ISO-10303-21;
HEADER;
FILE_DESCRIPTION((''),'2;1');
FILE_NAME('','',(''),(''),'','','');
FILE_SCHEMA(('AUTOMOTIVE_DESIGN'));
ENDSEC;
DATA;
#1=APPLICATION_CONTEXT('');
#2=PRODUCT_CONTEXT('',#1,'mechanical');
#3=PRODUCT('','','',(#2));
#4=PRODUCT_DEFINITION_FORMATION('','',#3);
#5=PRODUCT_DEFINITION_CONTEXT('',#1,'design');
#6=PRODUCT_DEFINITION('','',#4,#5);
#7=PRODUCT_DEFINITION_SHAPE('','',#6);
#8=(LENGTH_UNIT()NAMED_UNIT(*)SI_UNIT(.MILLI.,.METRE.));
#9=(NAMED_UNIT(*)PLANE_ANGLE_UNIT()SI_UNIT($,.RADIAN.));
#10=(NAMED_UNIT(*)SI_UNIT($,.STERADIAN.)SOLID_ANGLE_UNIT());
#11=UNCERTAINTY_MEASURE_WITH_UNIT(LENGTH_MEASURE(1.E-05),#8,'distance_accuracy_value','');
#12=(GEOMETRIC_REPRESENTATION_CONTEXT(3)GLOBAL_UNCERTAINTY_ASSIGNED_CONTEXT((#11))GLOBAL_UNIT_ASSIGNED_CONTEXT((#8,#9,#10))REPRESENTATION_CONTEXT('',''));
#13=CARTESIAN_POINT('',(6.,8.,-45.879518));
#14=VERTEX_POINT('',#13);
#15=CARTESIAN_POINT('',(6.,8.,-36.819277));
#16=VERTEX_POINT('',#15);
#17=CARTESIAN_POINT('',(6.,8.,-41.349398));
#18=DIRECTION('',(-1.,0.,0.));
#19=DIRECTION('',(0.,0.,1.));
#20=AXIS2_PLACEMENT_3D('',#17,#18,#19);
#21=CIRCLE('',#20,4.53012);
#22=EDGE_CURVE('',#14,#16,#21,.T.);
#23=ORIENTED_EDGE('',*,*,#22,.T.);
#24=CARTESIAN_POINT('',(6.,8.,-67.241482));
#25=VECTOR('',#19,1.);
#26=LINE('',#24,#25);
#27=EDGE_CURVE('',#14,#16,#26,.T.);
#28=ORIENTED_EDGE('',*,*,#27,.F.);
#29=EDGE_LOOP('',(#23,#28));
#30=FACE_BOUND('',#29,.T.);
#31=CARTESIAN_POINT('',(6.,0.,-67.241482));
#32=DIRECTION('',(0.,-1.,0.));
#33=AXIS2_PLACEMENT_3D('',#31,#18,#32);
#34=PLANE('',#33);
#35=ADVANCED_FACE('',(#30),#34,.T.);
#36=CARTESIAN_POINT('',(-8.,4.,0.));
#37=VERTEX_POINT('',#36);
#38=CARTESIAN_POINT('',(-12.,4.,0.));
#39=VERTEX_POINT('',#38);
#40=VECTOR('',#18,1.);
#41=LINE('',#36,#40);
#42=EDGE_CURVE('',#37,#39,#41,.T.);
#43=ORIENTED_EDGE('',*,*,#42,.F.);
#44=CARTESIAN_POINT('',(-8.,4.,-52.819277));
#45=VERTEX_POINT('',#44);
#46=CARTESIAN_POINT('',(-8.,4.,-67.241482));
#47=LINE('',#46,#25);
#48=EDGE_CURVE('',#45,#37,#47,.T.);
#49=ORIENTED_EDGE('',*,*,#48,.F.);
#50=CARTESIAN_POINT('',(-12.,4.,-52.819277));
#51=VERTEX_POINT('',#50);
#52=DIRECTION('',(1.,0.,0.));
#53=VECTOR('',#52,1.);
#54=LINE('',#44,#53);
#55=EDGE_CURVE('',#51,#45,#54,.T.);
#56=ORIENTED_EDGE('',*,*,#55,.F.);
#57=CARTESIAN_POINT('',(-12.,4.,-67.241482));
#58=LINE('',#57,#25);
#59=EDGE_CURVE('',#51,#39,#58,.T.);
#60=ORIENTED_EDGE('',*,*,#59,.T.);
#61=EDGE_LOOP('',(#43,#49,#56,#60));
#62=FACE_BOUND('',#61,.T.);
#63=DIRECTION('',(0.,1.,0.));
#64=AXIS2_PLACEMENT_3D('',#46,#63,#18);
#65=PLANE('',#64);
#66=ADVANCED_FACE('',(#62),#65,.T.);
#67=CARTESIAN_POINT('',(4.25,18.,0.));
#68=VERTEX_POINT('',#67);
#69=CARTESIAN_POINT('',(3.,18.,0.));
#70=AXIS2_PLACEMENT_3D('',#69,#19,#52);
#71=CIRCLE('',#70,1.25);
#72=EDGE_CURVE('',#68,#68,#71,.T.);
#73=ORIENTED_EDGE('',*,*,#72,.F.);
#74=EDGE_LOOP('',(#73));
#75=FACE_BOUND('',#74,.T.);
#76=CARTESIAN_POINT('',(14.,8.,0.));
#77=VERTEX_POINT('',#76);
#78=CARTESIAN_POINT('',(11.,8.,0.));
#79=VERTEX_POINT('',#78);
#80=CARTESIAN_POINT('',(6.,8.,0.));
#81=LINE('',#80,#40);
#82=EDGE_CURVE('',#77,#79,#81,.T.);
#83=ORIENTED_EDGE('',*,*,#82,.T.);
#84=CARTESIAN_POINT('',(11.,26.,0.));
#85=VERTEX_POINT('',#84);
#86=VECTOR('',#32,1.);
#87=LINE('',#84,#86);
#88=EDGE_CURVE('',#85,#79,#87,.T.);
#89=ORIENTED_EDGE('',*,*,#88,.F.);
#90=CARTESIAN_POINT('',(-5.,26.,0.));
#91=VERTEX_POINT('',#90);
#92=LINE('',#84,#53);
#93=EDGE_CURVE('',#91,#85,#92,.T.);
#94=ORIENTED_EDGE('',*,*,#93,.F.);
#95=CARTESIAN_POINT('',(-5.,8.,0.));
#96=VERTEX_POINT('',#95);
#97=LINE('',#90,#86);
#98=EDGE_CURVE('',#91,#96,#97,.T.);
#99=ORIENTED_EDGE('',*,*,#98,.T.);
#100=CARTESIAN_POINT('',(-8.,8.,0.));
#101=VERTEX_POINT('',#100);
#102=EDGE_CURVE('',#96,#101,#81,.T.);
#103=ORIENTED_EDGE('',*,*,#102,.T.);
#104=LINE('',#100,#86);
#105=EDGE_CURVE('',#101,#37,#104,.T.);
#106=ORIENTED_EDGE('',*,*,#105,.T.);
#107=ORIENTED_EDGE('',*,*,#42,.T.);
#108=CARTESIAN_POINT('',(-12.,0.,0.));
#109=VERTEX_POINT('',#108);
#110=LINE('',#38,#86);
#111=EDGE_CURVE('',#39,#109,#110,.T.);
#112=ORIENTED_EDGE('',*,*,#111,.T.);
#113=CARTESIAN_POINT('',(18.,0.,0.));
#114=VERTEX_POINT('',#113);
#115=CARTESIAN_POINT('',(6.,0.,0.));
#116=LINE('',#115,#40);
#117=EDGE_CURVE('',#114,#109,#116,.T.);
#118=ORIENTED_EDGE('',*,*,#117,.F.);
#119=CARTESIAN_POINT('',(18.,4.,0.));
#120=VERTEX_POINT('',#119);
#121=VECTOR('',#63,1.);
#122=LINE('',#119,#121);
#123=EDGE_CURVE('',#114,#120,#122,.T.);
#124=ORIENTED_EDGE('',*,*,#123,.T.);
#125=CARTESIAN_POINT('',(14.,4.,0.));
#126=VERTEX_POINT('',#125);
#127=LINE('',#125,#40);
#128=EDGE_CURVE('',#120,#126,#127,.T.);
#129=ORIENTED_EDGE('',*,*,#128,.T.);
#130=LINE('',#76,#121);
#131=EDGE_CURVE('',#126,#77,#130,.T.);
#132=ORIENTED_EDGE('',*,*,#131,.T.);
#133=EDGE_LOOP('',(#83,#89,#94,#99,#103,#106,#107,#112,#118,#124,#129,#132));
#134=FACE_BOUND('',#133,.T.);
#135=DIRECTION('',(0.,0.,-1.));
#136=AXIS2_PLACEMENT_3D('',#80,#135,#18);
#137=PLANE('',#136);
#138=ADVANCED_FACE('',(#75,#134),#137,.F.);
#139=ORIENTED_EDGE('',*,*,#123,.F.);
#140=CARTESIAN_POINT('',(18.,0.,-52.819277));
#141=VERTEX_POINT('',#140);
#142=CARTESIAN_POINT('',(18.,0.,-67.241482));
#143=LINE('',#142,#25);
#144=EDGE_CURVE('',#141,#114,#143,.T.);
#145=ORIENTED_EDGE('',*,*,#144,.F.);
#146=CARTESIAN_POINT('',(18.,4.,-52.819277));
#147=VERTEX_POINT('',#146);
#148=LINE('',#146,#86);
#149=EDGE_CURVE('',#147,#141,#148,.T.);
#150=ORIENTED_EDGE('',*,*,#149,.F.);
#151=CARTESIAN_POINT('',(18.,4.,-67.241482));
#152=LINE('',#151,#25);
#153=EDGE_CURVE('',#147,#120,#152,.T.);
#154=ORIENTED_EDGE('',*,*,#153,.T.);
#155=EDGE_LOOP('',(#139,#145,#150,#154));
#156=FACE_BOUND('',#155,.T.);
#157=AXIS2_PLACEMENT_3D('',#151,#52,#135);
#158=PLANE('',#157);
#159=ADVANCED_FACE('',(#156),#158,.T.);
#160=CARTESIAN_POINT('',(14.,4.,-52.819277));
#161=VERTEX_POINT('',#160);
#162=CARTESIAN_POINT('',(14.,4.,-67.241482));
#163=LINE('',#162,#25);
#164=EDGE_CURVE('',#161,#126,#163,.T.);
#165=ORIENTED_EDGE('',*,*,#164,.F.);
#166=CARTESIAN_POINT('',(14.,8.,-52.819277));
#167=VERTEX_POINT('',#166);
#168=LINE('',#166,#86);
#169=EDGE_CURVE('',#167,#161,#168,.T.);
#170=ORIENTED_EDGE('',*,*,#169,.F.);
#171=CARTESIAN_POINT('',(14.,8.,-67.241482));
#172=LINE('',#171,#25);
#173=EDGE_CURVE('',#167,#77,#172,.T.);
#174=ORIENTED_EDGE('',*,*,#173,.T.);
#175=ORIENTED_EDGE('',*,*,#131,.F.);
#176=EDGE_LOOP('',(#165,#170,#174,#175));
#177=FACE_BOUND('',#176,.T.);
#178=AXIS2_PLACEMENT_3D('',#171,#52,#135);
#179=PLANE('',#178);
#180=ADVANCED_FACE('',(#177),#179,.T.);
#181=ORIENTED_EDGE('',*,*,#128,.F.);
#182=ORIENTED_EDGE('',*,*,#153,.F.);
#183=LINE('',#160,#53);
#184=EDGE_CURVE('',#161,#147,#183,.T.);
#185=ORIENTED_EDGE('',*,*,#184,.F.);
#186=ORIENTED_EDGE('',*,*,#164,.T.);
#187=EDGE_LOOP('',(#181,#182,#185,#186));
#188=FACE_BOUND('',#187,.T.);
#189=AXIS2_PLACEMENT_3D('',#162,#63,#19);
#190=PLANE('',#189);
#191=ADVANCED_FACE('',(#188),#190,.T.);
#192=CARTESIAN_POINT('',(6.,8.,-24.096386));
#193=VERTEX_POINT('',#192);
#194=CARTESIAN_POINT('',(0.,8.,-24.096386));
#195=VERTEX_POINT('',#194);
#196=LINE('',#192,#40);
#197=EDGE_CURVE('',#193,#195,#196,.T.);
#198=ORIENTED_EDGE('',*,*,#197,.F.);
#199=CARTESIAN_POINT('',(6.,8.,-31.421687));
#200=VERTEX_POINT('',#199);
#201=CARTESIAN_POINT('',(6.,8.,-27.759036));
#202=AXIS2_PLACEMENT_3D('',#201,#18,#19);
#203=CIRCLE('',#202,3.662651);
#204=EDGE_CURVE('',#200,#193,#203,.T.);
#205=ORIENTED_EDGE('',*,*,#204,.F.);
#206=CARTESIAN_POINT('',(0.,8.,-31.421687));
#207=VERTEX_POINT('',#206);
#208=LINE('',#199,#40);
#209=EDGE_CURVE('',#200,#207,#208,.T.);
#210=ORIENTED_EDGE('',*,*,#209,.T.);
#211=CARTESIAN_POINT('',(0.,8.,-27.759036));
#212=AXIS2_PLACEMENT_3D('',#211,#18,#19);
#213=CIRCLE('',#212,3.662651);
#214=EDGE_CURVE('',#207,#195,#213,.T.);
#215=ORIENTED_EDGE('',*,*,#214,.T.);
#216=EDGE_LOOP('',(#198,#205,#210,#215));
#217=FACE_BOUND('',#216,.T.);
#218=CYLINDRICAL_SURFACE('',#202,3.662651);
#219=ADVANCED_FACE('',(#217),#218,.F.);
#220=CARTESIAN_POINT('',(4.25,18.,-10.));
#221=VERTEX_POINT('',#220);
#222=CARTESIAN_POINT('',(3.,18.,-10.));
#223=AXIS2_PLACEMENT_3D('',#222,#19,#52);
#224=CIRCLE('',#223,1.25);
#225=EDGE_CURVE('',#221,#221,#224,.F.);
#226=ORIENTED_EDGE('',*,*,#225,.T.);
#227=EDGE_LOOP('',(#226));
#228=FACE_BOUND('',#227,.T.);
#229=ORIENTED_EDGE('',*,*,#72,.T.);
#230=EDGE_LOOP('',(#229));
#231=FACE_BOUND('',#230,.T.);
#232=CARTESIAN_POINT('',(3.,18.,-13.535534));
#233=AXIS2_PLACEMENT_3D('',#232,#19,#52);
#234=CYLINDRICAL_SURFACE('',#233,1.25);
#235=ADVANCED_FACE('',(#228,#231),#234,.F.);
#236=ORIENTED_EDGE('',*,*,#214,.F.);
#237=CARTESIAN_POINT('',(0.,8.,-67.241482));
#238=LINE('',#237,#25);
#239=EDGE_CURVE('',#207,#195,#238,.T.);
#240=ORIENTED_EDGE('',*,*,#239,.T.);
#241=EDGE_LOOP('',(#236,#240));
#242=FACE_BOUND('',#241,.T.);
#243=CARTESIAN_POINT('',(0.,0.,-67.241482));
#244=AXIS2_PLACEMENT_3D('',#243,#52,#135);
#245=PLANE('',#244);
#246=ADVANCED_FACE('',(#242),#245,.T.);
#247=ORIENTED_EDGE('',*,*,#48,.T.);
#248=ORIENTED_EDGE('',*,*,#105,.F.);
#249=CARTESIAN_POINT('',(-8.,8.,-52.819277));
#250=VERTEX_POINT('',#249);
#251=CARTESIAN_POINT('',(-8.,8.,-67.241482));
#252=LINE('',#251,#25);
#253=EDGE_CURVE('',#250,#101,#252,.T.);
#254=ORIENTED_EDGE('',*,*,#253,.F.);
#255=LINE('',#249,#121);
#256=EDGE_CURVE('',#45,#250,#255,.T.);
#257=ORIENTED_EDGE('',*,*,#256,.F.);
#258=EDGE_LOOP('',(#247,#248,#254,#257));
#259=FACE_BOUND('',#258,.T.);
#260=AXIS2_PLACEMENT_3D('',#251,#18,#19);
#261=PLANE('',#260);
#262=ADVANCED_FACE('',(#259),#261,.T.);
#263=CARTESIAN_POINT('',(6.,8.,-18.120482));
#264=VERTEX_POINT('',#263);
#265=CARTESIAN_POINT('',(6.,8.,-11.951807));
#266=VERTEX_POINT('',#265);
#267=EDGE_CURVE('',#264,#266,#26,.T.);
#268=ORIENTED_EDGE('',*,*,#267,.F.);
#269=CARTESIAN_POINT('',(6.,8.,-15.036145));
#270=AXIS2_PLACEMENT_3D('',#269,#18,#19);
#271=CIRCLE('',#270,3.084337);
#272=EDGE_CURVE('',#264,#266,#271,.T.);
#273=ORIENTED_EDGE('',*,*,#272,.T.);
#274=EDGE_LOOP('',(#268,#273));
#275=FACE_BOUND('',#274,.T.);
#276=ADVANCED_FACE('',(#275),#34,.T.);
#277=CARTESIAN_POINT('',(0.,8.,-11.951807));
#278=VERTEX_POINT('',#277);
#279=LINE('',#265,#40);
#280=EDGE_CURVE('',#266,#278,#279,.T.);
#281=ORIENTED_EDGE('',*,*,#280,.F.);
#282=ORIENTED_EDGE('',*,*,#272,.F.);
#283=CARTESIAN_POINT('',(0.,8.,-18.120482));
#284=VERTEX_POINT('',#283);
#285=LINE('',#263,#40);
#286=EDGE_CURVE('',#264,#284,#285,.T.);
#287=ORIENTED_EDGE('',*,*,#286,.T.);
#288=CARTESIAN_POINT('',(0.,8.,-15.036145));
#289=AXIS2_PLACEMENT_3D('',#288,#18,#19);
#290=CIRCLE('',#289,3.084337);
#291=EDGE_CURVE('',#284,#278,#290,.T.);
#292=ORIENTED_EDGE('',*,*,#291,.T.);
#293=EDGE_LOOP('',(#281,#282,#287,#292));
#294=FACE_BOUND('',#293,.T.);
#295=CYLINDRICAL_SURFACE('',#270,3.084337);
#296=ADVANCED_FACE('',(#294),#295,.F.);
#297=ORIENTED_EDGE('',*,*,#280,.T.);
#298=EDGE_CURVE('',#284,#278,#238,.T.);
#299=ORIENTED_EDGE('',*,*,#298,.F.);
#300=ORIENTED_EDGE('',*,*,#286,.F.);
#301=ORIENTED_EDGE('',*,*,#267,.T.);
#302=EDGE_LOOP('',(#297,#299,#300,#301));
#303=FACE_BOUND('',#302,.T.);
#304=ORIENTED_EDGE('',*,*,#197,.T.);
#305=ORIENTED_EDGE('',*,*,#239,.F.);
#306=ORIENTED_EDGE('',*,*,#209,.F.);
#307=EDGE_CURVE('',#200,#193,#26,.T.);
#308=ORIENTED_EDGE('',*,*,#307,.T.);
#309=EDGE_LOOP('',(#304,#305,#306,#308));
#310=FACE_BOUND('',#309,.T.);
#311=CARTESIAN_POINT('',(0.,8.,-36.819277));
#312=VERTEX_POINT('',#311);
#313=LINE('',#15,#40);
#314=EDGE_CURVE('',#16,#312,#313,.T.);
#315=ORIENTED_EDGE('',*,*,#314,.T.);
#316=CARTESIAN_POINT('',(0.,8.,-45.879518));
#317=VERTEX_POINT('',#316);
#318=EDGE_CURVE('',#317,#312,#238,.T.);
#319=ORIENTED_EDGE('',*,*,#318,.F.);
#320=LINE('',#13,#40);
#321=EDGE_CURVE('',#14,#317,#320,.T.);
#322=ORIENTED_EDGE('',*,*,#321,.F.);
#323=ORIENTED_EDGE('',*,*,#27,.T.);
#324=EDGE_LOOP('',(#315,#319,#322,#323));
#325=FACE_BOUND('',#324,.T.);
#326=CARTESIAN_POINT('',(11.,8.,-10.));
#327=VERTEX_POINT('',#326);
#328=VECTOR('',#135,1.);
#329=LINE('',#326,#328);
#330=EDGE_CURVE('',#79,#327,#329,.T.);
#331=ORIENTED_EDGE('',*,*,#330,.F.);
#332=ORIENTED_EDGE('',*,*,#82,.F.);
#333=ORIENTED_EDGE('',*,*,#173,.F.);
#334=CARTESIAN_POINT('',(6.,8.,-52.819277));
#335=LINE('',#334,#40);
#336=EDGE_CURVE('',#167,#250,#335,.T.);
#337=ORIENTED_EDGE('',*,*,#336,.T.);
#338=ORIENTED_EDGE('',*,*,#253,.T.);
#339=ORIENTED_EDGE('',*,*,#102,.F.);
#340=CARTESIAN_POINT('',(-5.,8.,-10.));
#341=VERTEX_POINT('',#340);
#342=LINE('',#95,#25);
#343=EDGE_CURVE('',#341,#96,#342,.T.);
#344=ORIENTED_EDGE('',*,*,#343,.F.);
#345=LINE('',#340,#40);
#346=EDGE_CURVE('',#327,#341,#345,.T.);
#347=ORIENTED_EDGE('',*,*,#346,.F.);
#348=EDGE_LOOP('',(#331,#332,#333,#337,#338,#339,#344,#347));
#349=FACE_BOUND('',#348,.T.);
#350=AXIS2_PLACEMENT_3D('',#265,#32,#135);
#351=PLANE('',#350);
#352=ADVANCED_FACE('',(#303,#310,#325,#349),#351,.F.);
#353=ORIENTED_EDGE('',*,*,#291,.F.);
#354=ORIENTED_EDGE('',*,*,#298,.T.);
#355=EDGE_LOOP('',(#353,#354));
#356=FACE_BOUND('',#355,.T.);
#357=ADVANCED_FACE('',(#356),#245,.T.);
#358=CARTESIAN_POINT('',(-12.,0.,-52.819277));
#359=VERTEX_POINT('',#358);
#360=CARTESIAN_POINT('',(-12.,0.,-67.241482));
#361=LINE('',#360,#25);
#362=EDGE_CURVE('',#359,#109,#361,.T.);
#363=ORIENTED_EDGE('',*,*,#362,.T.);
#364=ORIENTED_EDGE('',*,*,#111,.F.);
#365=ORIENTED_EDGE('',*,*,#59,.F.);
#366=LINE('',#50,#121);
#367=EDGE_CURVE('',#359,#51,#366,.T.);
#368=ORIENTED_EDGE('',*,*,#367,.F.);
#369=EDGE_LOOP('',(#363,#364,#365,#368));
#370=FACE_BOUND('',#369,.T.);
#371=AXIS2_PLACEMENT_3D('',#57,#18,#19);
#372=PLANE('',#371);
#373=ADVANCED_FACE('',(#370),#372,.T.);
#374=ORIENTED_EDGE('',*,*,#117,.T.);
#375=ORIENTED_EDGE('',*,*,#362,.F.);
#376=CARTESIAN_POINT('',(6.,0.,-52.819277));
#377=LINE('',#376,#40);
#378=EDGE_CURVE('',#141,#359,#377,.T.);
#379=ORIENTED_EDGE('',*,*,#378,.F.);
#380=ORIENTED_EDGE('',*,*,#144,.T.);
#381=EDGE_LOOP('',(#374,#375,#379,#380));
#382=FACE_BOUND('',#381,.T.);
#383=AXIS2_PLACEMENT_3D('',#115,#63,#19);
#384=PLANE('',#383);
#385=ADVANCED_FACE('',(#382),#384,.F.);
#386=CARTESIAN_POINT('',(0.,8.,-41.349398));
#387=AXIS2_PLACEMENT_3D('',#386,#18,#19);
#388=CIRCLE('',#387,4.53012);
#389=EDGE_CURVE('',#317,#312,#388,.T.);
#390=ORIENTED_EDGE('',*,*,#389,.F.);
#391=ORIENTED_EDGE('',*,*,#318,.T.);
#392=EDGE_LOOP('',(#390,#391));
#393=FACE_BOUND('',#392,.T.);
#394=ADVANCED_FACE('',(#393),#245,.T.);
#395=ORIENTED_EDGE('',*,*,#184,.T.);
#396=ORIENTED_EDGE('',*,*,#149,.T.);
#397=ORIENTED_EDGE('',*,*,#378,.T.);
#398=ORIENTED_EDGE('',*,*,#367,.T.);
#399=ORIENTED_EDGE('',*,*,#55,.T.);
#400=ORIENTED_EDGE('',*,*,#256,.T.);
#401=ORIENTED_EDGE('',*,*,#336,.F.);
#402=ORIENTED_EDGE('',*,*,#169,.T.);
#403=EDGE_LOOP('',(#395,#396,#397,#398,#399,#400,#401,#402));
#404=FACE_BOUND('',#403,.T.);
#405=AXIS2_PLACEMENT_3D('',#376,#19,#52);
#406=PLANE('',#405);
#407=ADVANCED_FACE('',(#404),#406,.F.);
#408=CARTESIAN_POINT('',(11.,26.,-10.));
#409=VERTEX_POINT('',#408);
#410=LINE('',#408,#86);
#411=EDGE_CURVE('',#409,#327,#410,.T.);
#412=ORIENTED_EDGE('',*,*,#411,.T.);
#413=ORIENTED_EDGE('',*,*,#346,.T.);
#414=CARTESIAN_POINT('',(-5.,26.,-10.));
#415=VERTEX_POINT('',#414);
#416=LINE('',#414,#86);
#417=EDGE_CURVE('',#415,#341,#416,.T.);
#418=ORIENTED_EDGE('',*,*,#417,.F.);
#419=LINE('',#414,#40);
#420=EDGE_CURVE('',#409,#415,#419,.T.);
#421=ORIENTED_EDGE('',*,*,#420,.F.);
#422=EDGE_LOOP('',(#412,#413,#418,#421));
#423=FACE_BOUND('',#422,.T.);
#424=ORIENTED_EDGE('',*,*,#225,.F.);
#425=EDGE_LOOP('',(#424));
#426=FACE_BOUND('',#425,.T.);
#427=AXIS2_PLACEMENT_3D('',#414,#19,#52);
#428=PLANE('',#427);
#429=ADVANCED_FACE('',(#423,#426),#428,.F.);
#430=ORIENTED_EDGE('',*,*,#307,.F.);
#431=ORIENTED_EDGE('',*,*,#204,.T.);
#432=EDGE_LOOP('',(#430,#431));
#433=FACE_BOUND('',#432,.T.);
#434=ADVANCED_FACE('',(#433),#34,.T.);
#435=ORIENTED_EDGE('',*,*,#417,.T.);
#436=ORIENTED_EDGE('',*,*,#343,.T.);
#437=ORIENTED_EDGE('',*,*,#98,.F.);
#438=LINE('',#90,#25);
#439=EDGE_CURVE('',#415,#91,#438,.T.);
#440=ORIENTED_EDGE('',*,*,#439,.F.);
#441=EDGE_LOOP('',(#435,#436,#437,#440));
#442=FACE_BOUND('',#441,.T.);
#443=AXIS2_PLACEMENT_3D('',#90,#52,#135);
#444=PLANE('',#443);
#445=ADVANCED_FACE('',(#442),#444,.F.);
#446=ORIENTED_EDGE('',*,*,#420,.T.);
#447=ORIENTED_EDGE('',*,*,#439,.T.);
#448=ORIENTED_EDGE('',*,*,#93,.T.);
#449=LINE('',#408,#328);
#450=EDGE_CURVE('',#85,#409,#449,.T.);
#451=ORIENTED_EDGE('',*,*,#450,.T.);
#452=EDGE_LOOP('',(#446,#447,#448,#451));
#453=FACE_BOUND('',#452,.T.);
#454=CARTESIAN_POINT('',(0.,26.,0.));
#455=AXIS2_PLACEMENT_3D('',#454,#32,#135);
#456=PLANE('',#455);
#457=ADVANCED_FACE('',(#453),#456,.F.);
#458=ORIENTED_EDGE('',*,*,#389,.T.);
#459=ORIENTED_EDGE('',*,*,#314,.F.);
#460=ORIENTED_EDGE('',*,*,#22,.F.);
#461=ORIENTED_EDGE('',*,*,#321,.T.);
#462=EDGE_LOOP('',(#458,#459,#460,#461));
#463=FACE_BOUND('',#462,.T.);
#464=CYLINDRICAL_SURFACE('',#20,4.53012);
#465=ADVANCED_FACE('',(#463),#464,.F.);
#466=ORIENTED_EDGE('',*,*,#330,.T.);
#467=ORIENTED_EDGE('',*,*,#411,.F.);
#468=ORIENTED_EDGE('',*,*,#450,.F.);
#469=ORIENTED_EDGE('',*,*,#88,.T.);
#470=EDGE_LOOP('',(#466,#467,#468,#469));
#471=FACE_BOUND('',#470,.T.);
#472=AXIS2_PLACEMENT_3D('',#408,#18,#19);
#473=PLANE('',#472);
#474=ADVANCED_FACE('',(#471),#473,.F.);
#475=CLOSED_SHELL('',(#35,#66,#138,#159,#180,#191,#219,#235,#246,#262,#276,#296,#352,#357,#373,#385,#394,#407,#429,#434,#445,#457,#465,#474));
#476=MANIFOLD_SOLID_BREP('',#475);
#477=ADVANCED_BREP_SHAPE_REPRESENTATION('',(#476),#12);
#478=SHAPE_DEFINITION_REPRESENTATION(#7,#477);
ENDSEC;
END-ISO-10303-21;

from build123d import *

# Parameters (mm, degrees)
EXTRUDE_1_DEPTH     = 6
EXTRUDE_2_DEPTH     = 52.819277108
EXTRUDE_3_DEPTH     = 52.819277108
SKETCH_6_W          = 16
SKETCH_6_H          = 10
EXTRUDE_5_DEPTH     = 18
SKETCH_7_R          = 1.25
CUT_EXTRUDE_2_DEPTH = 10


with BuildPart() as part:
    # Эскиз1 → Бобышка-Вытянуть1 (new body)
    with BuildSketch(Plane(origin=(0, 0, 0), x_dir=(0, 0, -1), z_dir=(1, 0, 0))):
        with BuildLine():
            Line((0, 0), (52.819277108, 0))
            Line((52.819277108, 0), (52.819277108, 8))
            Line((52.819277108, 8), (45.879518072, 8))
            ThreePointArc((45.879518072, 8), (41.34939759, 3.469879518), (36.819277108, 8))
            Line((36.819277108, 8), (31.421686747, 8))
            ThreePointArc((31.421686747, 8), (27.759036145, 4.337349398), (24.096385542, 8))
            Line((24.096385542, 8), (18.120481928, 8))
            ThreePointArc((18.120481928, 8), (15.036144578, 4.915662651), (11.951807229, 8))
            Line((11.951807229, 8), (0, 8))
            Line((0, 8), (0, 0))
        make_face()
    extrude(amount=EXTRUDE_1_DEPTH)

    # Эскиз2 → Бобышка-Вытянуть2 (add)
    with BuildSketch(Plane.XY):
        Polygon((6, 8), (14, 8), (14, 4), (18, 4), (18, 0), (6, 0), align=None)
    extrude(amount=-EXTRUDE_2_DEPTH)

    # Эскиз3 → Бобышка-Вытянуть3 (add)
    with BuildSketch(Plane.XY):
        Polygon((0, 8), (-8, 8), (-8, 4), (-12, 4), (-12, 0), (0, 0), align=None)
    extrude(amount=-EXTRUDE_3_DEPTH)

    # Эскиз6 → Бобышка-Вытянуть5 (add)
    with BuildSketch(Plane(origin=(0, 8, 0), x_dir=(1, 0, 0), z_dir=(0, 1, 0))):
        with Locations((3, 5)):
            Rectangle(SKETCH_6_W, SKETCH_6_H)
    extrude(amount=EXTRUDE_5_DEPTH)

    # Эскиз7 → Вырез-Вытянуть2 (cut)
    with BuildSketch(Plane.XY):
        with Locations((3, 18)):
            Circle(SKETCH_7_R)
    extrude(amount=-CUT_EXTRUDE_2_DEPTH, mode=Mode.SUBTRACT)


solid = part.part
